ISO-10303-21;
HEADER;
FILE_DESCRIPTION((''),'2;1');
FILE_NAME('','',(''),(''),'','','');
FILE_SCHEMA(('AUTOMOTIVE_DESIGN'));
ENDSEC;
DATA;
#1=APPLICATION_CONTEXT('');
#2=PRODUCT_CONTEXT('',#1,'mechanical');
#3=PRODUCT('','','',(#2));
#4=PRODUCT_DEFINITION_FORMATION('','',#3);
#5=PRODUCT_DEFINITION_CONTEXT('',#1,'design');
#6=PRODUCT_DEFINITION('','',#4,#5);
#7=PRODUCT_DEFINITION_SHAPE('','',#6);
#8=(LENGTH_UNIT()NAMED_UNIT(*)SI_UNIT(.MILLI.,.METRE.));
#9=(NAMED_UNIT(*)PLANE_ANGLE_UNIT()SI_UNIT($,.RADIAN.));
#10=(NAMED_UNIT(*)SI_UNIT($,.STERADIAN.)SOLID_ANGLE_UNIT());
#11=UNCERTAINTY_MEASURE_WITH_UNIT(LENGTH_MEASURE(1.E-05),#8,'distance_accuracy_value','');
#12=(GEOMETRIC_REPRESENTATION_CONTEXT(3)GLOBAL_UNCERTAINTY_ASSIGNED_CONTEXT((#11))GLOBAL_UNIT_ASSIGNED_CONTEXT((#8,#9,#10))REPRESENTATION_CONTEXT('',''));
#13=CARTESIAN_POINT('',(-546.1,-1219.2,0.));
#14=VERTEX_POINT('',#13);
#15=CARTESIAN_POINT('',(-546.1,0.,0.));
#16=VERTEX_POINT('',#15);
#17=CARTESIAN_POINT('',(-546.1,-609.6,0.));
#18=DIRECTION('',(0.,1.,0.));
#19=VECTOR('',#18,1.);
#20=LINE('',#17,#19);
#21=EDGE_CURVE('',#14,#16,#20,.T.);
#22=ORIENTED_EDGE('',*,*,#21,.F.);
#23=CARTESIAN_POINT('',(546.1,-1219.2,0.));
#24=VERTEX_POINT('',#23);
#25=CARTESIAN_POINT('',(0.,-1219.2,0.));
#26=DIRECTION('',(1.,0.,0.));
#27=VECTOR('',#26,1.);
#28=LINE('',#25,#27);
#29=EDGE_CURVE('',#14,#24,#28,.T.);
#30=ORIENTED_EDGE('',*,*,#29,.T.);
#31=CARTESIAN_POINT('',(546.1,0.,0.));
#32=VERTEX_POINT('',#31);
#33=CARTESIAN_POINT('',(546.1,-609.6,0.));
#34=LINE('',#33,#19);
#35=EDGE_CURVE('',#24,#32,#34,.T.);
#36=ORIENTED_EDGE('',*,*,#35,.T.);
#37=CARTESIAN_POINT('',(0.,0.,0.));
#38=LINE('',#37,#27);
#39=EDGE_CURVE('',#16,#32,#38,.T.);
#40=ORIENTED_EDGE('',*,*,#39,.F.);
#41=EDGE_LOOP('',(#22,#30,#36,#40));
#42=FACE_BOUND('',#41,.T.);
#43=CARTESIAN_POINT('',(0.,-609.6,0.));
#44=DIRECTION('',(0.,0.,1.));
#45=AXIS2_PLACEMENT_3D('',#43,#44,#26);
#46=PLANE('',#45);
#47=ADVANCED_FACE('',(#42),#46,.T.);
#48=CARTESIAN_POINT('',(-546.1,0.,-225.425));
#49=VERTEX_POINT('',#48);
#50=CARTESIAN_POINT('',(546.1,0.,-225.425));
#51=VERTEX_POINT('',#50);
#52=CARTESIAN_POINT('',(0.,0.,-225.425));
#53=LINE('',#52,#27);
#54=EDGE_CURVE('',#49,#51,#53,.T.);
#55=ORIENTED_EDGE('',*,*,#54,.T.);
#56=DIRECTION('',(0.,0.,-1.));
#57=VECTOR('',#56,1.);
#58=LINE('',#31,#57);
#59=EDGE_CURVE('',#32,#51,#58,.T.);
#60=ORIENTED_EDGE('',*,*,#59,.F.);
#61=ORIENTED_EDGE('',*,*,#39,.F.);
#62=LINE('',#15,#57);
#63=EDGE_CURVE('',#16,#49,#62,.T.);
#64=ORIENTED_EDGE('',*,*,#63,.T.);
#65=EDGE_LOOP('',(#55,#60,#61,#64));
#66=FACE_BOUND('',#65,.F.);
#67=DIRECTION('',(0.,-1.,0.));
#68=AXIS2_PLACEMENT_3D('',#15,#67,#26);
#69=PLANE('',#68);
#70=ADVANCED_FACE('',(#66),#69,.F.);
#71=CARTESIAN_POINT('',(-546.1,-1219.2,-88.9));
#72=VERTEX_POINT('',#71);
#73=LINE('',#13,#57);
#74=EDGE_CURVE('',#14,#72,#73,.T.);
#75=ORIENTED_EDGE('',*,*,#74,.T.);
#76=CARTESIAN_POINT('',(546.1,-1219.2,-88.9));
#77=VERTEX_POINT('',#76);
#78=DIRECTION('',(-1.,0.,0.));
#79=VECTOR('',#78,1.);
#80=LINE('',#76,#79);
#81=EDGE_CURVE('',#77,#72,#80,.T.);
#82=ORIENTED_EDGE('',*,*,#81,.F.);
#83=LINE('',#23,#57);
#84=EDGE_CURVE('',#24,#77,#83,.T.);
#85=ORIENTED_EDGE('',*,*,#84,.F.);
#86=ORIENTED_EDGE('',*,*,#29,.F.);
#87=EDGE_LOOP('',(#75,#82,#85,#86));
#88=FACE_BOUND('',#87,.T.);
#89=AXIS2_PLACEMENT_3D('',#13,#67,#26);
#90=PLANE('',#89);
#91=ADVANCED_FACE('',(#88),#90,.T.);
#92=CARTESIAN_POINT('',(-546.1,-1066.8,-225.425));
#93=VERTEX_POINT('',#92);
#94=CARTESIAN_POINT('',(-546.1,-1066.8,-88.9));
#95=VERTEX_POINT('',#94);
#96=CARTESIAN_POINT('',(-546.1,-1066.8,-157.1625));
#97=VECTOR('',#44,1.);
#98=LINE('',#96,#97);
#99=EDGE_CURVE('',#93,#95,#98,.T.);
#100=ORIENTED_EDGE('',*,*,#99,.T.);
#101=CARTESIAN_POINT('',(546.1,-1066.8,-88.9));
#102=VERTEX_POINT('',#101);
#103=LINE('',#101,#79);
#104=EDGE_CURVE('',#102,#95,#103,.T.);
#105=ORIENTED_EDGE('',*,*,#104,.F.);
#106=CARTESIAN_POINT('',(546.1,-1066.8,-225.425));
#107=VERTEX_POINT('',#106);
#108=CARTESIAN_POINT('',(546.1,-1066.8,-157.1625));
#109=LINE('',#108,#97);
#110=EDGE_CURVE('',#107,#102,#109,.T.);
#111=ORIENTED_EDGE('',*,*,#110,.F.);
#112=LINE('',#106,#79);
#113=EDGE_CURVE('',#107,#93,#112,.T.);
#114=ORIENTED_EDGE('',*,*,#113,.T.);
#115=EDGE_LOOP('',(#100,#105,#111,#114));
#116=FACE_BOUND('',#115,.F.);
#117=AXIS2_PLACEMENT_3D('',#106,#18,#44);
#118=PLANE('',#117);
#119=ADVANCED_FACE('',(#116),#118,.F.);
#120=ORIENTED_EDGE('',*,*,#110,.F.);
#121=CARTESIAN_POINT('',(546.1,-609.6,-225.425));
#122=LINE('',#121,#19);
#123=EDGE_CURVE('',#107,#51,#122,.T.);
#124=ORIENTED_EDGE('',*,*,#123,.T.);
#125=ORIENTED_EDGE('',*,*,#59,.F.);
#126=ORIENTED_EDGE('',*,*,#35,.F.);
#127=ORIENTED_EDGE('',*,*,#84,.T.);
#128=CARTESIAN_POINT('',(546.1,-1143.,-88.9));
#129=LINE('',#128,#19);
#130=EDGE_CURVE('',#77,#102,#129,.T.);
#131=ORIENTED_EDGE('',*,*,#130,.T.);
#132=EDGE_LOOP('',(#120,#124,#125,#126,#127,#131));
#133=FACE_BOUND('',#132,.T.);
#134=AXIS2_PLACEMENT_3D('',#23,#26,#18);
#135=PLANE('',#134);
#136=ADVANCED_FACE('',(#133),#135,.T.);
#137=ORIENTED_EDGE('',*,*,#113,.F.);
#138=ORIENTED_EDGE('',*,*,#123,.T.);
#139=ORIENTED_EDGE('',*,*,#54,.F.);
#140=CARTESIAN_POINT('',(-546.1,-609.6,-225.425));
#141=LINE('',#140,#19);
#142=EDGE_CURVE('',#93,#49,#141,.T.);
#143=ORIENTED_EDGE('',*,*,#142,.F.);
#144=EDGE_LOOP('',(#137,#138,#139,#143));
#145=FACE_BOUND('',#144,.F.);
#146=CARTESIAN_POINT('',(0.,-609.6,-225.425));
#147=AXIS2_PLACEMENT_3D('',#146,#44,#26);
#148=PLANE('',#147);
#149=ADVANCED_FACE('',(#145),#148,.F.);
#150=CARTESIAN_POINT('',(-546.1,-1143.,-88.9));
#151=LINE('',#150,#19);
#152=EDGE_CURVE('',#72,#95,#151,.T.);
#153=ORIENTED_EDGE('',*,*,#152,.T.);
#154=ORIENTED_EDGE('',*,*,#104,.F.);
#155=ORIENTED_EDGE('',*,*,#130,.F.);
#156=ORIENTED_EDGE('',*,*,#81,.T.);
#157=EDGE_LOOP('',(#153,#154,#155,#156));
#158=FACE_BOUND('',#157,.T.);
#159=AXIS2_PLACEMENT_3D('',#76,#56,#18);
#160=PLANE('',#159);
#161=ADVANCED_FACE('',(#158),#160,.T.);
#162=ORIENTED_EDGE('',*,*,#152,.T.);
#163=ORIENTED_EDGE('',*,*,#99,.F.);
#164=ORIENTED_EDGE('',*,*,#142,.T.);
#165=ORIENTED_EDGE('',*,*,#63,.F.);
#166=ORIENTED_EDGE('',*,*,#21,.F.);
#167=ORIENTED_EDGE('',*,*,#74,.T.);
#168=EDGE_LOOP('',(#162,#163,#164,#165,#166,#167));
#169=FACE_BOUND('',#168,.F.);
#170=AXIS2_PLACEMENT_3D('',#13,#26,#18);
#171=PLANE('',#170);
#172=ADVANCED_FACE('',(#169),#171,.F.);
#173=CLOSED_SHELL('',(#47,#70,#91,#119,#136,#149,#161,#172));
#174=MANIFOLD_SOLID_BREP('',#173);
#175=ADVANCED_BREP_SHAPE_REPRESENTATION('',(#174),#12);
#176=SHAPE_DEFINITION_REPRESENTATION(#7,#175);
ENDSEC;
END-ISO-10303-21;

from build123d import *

# Parameters (mm, degrees)
F0_W     = 1092.2
F0_H     = 1219.2
F1_DEPTH = 225.425
F2_W     = 152.4
F2_H     = 136.525
F3_DEPTH = 1092.2


with BuildPart() as f1:
    # F0 (on Top) → F1 (new body)
    with BuildSketch(Plane.XY):
        with Locations((0, -609.6)):
            Rectangle(F0_W, F0_H)
    extrude(amount=-F1_DEPTH)

    # F2 (on face) → F3 (cut, through all)
    with BuildSketch(Plane.YZ.offset(546.1)):
        with Locations((-1143, -157.1625)):
            Rectangle(F2_W, F2_H)
    extrude(amount=-F3_DEPTH, mode=Mode.SUBTRACT)


solid = f1.part
